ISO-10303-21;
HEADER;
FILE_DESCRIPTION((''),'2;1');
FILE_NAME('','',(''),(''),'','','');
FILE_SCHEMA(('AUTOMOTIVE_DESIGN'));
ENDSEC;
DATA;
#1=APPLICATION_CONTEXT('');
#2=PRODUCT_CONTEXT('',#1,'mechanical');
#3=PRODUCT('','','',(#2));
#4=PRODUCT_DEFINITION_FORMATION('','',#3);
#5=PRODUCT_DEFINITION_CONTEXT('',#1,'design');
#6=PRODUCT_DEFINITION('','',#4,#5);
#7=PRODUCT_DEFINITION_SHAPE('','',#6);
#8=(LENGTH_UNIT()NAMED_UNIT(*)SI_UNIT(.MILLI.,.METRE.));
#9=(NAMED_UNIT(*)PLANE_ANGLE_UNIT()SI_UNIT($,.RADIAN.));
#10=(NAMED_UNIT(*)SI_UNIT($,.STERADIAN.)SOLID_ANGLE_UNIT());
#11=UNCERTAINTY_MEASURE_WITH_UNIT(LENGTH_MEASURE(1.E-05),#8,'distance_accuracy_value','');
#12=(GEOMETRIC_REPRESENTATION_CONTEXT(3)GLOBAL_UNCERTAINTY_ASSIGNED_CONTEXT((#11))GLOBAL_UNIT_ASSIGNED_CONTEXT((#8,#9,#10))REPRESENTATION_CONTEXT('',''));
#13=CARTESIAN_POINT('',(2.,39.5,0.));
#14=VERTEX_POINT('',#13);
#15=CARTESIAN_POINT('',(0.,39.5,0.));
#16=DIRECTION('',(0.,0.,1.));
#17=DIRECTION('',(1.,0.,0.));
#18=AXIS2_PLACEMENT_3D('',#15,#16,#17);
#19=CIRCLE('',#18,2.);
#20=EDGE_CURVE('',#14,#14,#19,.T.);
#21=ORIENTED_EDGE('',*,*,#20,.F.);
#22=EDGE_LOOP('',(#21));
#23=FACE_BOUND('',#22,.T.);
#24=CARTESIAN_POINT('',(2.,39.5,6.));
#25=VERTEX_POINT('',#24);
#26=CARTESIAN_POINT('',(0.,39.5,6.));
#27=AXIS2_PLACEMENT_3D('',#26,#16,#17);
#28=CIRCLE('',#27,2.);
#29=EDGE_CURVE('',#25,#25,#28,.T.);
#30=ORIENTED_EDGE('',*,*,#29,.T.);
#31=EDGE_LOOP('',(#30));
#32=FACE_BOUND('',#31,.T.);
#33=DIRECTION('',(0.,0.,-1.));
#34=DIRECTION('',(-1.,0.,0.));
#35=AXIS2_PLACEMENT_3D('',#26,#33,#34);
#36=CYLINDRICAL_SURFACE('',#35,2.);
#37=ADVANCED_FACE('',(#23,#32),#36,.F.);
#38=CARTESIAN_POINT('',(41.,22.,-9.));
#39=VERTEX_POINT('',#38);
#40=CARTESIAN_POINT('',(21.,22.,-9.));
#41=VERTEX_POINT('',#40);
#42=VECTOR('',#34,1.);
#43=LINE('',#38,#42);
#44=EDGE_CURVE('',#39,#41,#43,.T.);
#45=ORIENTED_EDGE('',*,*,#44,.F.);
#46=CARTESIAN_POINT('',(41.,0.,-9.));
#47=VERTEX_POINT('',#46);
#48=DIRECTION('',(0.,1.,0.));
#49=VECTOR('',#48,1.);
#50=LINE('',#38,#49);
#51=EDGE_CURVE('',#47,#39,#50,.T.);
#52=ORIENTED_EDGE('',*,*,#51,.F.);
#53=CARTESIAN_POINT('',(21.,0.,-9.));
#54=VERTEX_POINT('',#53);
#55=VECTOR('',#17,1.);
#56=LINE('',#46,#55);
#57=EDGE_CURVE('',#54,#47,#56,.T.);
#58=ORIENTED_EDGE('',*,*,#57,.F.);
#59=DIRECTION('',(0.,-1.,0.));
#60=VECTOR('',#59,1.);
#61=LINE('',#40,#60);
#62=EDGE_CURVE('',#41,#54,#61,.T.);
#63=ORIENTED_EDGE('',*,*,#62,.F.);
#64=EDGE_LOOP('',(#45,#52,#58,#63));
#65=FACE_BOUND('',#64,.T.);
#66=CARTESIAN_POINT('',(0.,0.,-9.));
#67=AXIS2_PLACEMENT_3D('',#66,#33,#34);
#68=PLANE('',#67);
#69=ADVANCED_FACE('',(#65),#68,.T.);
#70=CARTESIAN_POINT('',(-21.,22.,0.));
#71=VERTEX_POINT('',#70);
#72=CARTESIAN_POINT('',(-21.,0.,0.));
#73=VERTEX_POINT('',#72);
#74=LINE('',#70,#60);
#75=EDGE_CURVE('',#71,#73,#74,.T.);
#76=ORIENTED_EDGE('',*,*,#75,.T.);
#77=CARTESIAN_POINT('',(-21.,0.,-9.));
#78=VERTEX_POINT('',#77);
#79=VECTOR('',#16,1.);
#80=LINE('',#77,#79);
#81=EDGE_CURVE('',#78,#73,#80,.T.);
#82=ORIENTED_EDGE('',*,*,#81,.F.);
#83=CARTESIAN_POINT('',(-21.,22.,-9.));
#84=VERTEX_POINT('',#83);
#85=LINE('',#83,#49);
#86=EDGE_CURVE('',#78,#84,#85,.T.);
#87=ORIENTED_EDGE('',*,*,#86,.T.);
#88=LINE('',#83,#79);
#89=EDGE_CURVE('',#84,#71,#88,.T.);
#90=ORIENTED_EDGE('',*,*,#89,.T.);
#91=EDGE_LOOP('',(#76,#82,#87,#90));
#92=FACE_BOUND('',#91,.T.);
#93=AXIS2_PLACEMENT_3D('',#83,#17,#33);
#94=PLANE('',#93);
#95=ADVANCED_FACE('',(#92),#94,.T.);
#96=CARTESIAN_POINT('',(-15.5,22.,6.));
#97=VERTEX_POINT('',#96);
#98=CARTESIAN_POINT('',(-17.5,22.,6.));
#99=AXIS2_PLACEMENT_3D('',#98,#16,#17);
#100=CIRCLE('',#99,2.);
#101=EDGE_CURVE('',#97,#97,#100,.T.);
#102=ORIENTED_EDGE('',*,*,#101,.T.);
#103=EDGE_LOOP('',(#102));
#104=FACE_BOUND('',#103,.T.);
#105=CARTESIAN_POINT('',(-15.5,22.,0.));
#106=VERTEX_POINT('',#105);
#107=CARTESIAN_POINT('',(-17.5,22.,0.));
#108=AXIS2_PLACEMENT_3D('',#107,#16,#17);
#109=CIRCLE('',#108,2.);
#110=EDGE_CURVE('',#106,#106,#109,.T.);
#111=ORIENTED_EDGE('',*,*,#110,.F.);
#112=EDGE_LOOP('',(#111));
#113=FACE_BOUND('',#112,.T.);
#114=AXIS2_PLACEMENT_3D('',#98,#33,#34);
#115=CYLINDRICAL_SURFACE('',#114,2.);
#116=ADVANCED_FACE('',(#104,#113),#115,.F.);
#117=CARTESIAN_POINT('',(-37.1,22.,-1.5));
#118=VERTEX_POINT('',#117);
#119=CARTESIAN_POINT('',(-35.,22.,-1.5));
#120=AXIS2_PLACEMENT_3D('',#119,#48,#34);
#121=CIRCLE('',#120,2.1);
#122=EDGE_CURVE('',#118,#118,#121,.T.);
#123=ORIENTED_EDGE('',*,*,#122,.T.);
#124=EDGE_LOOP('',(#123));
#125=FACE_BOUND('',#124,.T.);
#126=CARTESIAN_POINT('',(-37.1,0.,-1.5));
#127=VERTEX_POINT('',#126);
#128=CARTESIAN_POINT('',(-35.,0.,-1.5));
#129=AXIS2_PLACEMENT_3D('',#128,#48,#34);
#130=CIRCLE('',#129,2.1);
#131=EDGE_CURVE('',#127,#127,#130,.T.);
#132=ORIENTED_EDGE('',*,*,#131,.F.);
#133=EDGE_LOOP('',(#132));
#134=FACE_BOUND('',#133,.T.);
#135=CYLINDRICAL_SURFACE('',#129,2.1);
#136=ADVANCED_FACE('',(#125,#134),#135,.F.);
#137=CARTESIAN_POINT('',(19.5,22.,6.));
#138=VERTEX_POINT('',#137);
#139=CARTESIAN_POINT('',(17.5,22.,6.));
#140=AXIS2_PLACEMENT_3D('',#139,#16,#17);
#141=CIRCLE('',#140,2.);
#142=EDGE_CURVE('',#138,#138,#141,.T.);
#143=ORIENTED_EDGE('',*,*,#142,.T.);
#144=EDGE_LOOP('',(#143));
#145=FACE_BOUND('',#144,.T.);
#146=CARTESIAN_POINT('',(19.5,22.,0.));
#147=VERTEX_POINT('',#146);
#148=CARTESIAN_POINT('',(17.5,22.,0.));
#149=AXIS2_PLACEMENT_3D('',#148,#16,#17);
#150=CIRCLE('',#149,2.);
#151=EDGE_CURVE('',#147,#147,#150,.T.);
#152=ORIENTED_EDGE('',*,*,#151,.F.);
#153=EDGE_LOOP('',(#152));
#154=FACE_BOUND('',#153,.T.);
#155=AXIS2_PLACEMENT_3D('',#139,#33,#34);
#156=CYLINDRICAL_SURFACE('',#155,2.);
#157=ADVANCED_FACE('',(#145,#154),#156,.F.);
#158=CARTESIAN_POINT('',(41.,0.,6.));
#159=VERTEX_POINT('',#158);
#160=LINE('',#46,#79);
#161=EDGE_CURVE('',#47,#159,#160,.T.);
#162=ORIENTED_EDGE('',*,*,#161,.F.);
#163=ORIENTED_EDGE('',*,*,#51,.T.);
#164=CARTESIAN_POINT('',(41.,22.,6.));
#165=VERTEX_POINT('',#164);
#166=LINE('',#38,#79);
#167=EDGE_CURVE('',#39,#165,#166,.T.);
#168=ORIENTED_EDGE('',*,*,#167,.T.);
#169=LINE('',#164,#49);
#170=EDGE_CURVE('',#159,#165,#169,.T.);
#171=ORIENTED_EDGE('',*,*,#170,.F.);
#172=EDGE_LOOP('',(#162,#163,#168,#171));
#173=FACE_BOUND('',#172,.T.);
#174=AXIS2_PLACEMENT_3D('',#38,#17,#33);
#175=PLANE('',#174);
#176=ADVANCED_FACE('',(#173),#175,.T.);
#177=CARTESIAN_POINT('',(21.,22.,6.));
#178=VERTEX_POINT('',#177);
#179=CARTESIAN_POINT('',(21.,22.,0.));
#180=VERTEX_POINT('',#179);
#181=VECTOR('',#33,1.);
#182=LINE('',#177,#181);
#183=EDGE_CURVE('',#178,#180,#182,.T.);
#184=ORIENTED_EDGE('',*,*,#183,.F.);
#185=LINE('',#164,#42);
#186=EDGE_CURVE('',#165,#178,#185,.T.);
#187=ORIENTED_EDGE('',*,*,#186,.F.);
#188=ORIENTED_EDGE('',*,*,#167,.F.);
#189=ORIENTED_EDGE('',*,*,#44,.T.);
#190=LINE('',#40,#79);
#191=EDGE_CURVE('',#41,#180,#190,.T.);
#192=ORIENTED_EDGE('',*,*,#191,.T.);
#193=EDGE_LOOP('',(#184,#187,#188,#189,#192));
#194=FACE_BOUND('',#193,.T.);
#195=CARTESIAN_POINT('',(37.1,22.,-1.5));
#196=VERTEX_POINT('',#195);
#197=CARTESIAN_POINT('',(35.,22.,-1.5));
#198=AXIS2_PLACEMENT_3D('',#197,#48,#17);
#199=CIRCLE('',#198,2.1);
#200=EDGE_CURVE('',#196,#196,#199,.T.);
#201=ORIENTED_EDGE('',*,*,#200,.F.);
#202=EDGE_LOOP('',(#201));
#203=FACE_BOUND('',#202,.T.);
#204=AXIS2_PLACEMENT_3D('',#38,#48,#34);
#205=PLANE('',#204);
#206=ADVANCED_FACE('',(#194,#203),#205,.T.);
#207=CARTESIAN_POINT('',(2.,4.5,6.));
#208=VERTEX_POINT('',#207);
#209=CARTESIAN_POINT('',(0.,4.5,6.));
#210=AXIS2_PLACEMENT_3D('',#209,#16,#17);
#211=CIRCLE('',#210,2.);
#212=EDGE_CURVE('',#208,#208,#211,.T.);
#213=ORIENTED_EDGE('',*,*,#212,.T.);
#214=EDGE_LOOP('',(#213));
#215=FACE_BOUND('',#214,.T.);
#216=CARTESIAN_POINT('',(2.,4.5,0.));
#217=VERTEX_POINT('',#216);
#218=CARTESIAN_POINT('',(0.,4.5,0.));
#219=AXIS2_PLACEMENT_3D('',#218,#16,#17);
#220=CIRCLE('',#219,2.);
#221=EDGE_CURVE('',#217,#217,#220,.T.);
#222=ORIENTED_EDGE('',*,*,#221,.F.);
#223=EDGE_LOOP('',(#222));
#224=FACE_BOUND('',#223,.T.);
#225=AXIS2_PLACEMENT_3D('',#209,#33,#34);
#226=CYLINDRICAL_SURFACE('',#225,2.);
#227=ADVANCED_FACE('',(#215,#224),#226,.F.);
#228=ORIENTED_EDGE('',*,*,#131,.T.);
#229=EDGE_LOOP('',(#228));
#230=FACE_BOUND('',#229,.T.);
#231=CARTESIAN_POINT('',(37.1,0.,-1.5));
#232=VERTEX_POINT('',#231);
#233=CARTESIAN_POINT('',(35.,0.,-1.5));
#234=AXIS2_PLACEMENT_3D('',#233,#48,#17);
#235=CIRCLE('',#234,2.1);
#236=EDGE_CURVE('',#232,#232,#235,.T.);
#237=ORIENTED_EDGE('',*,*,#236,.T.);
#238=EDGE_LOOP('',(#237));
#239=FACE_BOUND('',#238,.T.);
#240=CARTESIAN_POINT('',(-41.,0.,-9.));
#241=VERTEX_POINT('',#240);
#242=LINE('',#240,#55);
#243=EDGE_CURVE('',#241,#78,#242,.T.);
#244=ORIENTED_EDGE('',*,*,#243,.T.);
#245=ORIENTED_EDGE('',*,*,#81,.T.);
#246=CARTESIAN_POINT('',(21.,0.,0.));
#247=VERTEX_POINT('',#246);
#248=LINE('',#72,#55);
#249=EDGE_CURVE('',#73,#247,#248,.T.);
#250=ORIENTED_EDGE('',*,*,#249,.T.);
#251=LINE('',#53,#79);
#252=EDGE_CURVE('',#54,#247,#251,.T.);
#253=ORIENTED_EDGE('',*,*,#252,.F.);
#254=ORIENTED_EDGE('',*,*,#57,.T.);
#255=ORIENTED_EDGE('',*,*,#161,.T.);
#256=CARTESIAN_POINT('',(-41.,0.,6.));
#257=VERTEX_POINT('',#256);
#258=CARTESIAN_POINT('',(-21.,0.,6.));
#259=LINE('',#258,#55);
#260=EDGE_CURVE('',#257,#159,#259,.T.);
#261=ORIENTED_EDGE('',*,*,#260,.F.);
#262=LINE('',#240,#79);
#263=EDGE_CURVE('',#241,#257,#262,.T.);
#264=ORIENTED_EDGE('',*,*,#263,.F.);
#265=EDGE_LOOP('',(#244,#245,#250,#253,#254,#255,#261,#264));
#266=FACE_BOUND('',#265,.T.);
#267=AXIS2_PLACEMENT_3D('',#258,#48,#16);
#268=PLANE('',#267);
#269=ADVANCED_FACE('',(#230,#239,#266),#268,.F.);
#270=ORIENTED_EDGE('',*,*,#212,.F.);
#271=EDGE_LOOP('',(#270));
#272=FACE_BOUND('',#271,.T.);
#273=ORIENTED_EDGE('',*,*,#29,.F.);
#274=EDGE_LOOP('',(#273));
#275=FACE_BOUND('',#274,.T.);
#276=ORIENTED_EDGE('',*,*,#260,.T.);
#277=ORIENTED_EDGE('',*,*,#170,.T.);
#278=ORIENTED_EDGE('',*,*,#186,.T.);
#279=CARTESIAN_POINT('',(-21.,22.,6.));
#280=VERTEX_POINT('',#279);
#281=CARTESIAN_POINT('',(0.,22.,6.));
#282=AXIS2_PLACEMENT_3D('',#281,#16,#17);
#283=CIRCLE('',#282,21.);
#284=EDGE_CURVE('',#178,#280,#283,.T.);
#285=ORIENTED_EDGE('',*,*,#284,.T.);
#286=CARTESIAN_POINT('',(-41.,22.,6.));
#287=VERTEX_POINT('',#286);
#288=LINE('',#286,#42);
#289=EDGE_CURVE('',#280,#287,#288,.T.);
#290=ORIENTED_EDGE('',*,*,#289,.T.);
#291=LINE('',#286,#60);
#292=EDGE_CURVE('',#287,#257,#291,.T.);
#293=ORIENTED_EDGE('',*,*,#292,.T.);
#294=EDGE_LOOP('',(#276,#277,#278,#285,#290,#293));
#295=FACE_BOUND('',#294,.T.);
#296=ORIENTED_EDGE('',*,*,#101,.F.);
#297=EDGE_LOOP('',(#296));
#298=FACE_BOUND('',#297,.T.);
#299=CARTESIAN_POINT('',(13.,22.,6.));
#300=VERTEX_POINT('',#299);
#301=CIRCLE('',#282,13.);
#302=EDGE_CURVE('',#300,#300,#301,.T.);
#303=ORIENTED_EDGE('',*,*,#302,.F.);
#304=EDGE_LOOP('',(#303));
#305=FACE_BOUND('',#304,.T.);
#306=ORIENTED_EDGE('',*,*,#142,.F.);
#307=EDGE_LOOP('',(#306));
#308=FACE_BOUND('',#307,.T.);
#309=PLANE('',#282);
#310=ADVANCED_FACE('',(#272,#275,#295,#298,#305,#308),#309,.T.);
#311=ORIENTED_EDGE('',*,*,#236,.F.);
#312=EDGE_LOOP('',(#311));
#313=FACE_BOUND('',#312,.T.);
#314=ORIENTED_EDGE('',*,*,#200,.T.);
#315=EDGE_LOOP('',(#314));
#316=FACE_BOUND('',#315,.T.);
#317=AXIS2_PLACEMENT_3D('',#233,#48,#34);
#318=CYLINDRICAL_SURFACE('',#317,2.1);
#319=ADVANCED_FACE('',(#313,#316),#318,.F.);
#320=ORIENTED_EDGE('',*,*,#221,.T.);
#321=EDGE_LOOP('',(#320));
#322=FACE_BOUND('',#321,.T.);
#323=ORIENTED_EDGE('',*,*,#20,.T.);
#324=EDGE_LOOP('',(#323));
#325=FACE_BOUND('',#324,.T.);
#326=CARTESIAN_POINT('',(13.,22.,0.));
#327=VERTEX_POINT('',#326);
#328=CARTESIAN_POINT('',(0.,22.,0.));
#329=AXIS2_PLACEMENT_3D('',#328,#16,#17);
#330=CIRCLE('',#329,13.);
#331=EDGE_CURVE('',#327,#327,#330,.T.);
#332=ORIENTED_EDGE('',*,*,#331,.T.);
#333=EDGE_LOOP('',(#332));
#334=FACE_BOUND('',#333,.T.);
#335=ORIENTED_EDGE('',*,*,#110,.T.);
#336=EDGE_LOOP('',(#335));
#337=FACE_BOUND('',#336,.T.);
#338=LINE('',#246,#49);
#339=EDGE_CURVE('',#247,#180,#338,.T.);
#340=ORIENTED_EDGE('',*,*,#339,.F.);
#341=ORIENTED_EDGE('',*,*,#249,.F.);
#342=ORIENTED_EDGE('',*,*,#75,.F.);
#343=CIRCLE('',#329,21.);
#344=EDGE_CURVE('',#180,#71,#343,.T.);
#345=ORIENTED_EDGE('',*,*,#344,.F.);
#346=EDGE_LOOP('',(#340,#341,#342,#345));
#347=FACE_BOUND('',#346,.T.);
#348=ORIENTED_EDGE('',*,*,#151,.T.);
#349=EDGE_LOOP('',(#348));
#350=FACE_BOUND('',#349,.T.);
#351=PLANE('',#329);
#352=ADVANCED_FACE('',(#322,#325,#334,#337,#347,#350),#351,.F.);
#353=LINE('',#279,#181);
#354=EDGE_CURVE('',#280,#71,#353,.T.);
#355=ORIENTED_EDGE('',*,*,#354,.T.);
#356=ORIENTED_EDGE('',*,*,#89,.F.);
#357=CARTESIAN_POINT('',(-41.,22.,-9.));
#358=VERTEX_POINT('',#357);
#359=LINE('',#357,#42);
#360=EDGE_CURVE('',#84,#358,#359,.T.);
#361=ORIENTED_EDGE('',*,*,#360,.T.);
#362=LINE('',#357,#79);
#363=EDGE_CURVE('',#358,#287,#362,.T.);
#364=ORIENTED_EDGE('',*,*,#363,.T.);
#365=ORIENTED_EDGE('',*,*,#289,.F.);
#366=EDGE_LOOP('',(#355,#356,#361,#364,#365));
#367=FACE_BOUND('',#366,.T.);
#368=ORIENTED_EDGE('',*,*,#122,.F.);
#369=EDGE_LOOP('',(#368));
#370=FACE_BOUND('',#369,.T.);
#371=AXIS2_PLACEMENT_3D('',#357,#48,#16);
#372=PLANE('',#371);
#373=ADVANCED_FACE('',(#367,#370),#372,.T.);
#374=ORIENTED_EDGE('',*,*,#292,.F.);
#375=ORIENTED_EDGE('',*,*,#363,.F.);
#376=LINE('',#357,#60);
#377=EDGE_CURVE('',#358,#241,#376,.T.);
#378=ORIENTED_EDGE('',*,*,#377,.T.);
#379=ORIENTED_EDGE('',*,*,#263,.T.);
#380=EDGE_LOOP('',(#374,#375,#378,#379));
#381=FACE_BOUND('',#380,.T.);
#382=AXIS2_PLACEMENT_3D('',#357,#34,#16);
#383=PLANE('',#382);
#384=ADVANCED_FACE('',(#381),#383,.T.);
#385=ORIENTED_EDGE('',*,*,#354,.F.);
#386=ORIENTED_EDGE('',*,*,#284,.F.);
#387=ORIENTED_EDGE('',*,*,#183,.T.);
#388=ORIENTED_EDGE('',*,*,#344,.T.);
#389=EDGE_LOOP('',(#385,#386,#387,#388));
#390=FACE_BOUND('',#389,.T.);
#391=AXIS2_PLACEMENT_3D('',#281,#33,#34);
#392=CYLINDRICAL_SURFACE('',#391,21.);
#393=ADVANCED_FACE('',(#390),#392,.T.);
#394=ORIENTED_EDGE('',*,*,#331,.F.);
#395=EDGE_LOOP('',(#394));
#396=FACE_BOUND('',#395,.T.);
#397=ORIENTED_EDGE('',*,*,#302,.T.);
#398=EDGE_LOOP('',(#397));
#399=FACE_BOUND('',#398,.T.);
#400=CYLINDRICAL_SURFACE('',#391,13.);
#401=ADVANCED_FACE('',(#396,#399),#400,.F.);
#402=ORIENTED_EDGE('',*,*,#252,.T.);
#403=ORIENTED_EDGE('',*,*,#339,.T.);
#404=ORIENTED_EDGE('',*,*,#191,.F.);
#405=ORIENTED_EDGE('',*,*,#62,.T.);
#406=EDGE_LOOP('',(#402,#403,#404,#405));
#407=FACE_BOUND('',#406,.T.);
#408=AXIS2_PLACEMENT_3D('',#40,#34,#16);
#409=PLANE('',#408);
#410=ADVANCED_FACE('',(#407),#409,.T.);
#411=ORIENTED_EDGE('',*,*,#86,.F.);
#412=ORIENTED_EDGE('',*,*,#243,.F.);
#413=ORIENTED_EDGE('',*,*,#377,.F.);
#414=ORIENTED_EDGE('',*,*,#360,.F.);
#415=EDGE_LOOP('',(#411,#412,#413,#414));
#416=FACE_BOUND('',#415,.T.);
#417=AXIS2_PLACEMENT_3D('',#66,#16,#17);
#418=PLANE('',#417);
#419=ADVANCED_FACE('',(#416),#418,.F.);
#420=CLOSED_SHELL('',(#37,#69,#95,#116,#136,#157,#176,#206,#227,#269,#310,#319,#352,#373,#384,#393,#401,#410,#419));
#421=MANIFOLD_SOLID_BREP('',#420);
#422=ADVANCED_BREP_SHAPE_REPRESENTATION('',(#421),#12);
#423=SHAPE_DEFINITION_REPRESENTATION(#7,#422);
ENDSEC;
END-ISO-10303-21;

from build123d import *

# Parameters (mm, degrees)
SKETCH_1_R          = 13
SKETCH_1_R_2        = 2
EXTRUDE_1_DEPTH     = 6
SKETCH_2_W          = 20
SKETCH_2_H          = 22
EXTRUDE_2_DEPTH     = 15
SKETCH_3_R          = 2.1
CUT_EXTRUDE_1_DEPTH = 48.391982444


with BuildPart() as part:
    # 草图1 → 凸台-拉伸1 (new body)
    with BuildSketch(Plane.XY):
        with BuildLine():
            Line((-21, 22), (-21, 0))
            Line((-21, 0), (21, 0))
            Line((21, 0), (21, 22))
            ThreePointArc((21, 22), (0, 43), (-21, 22))
        make_face()
        with Locations((0, 22)):
            Circle(SKETCH_1_R, mode=Mode.SUBTRACT)
        with Locations((0, 39.5)):
            Circle(SKETCH_1_R_2, mode=Mode.SUBTRACT)
        with Locations((17.5, 22)):
            Circle(SKETCH_1_R_2, mode=Mode.SUBTRACT)
        with Locations((0, 4.5)):
            Circle(SKETCH_1_R_2, mode=Mode.SUBTRACT)
        with Locations((-17.5, 22)):
            Circle(SKETCH_1_R_2, mode=Mode.SUBTRACT)
    extrude(amount=EXTRUDE_1_DEPTH)

    # 草图2 → 凸台-拉伸2 (add)
    with BuildSketch(Plane.XY.offset(6)):
        with Locations((-31, 11)):
            Rectangle(SKETCH_2_W, SKETCH_2_H)
        with Locations((31, 11)):
            Rectangle(SKETCH_2_W, SKETCH_2_H)
    extrude(amount=-EXTRUDE_2_DEPTH)

    # 草图3 → 切除-拉伸1 (cut, through all)
    with BuildSketch(Plane(origin=(0, 22, 0), x_dir=(1, 0, 0), z_dir=(0, 1, 0))):
        with Locations(Location((-35, 1.5, 0), (0, 0, 180))):
            Circle(SKETCH_3_R)
        with Locations((35, 1.5)):
            Circle(SKETCH_3_R)
    extrude(amount=-CUT_EXTRUDE_1_DEPTH, mode=Mode.SUBTRACT)


solid = part.part
